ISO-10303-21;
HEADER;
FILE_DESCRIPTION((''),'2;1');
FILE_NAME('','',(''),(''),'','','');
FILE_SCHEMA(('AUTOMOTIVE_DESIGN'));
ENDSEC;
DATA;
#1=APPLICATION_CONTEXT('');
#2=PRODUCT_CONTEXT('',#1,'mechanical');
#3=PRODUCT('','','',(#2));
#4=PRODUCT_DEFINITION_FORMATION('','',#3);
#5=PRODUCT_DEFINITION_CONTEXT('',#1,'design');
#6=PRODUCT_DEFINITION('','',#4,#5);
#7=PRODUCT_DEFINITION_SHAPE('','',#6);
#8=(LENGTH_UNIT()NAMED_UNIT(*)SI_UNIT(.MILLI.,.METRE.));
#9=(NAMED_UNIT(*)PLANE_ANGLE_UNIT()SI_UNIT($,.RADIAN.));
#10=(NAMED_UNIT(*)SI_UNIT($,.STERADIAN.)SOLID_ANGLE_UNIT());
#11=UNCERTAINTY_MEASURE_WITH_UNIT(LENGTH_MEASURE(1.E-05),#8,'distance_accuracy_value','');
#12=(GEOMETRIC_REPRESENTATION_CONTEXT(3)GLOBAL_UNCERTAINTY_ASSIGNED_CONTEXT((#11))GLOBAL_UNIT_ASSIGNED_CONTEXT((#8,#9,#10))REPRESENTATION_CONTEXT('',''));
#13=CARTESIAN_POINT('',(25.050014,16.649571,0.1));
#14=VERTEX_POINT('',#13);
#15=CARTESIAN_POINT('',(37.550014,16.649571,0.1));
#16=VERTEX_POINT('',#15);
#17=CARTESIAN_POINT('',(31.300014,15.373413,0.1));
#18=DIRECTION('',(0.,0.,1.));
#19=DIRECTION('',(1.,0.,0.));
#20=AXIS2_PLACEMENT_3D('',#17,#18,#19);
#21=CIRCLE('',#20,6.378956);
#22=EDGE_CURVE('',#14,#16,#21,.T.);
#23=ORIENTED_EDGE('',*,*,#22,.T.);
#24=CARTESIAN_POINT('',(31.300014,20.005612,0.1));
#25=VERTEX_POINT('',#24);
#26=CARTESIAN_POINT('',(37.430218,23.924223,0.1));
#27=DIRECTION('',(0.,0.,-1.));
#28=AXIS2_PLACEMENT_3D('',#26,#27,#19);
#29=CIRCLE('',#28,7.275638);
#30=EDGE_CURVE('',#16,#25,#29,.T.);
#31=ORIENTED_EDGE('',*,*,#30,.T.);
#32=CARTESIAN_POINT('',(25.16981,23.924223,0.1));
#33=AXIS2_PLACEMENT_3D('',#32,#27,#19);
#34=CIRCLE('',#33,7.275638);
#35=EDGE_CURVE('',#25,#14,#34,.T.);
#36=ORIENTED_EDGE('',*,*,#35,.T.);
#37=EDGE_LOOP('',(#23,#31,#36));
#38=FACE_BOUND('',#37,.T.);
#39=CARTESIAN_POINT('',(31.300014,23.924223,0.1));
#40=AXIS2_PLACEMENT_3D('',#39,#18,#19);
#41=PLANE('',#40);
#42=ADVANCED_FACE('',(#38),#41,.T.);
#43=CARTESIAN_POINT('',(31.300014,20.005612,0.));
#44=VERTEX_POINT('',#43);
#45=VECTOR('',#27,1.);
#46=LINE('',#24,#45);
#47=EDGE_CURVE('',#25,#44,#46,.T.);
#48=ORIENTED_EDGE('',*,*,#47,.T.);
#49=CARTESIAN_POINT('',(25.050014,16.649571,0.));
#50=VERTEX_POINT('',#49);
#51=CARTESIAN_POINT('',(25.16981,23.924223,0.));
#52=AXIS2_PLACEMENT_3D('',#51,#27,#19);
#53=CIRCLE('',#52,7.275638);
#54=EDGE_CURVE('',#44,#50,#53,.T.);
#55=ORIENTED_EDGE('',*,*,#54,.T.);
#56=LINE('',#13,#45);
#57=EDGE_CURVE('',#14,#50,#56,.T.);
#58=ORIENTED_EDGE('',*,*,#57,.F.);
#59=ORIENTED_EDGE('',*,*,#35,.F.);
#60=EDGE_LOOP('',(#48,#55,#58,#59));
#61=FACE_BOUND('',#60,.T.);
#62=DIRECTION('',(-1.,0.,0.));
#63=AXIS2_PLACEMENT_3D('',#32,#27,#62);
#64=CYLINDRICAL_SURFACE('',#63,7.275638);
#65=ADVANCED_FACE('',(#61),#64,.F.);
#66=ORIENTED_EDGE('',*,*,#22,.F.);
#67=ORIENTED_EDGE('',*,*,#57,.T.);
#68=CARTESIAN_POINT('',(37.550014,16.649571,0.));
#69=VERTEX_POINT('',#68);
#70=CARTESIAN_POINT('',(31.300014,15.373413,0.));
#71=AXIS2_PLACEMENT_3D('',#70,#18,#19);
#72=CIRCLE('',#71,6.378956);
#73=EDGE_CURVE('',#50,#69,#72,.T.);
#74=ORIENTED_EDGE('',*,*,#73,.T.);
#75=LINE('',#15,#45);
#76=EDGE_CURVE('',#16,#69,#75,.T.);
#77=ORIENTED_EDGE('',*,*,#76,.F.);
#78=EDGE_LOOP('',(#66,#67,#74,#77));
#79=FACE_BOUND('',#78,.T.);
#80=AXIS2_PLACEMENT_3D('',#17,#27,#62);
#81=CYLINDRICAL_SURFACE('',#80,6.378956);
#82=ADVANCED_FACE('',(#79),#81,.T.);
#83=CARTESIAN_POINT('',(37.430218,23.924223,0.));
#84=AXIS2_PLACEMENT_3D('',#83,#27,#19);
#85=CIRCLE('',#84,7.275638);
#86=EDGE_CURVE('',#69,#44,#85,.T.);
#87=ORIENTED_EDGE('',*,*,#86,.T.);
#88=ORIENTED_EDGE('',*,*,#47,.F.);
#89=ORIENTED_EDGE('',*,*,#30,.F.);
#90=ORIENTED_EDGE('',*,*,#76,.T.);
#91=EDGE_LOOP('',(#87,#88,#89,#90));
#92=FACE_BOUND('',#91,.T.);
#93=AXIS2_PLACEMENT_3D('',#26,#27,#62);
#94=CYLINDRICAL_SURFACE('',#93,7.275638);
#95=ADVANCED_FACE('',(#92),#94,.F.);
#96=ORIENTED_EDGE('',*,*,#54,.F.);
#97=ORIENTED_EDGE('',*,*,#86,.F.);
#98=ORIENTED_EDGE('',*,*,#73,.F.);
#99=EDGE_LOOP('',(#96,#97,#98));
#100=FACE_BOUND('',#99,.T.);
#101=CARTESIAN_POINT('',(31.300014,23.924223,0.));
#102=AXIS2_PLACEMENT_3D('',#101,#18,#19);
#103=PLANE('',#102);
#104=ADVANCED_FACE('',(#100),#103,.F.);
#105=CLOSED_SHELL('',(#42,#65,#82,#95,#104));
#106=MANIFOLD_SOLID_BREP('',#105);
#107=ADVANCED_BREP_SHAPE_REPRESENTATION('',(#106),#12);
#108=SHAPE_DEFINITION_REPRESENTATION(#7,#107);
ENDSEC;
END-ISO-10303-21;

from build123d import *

# Parameters (mm, degrees)
SALIENTE_EXTRUIR1_DEPTH = 0.1


with BuildPart() as part:
    # Model → Saliente-Extruir1 (new body)
    with BuildSketch(Plane.XY):
        with BuildLine():
            ThreePointArc((25.050014064, 16.649571004), (31.300014064, 8.994456696), (37.550014064, 16.649571004))
            ThreePointArc((37.550014064, 16.649571004), (33.988270313, 17.514237911), (31.300014064, 20.00561218))
            ThreePointArc((31.300014064, 20.00561218), (28.611757815, 17.514237911), (25.050014064, 16.649571004))
        make_face()
    extrude(amount=SALIENTE_EXTRUIR1_DEPTH)


solid = part.part
